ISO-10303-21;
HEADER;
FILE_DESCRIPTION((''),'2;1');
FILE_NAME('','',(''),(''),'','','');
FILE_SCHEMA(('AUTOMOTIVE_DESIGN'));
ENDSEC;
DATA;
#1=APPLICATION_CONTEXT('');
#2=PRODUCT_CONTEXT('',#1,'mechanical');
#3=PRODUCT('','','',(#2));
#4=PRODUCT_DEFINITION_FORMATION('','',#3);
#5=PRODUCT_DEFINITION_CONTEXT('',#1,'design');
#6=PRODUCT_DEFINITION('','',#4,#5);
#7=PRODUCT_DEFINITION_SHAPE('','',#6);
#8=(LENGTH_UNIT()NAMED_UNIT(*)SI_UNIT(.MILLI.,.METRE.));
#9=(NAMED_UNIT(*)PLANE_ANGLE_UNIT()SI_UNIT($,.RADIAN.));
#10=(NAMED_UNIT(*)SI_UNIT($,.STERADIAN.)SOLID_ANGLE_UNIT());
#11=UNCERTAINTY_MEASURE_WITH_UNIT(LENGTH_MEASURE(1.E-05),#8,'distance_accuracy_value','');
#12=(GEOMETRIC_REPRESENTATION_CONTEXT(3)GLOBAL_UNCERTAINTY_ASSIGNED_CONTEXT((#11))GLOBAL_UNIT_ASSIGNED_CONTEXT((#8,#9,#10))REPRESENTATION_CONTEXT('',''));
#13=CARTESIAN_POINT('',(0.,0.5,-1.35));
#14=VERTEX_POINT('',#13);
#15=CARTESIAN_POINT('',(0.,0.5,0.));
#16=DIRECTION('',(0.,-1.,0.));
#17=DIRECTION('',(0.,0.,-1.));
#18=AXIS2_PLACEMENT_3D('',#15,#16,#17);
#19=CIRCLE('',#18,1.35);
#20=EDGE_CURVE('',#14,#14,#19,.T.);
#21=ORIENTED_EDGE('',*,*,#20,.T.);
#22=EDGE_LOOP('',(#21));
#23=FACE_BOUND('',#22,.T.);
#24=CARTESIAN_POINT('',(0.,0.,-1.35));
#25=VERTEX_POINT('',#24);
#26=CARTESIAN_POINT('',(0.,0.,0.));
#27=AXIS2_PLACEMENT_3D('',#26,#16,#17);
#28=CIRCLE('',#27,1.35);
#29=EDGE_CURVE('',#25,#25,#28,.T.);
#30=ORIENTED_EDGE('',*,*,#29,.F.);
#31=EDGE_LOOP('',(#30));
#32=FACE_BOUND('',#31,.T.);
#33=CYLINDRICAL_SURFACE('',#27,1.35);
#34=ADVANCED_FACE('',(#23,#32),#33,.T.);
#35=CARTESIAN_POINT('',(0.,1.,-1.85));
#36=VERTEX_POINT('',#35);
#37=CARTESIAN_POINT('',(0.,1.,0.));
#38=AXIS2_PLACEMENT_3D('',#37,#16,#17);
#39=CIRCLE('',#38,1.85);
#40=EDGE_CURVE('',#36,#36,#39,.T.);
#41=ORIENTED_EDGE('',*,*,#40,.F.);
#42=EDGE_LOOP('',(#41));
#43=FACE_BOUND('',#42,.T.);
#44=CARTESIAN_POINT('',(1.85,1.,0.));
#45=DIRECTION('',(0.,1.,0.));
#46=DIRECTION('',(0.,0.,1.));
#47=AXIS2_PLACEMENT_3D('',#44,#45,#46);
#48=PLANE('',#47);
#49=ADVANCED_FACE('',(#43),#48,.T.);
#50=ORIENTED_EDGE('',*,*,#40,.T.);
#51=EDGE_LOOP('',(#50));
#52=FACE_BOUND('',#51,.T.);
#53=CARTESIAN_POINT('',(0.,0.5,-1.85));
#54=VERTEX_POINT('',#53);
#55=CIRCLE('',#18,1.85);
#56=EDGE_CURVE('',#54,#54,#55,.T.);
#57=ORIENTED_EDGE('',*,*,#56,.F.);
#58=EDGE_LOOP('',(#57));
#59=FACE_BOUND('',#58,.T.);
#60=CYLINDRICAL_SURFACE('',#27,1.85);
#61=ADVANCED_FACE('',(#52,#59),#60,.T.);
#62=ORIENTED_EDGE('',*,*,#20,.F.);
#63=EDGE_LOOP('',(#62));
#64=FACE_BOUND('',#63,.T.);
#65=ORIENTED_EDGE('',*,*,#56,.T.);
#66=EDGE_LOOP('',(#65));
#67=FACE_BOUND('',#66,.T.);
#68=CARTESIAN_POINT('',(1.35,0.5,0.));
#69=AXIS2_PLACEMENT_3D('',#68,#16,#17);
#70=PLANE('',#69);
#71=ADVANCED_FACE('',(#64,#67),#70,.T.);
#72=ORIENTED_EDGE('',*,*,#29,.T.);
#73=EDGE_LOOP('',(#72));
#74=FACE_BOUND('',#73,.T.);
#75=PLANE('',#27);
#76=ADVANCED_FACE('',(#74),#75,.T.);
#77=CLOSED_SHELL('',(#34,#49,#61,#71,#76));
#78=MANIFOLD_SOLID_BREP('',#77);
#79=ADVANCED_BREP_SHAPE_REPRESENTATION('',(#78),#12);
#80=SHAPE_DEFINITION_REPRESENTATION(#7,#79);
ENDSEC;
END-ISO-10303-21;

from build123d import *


with BuildPart() as part:
    # Sketch1 → Revolve1 (revolve)
    with BuildSketch(Plane.XY, mode=Mode.PRIVATE) as revolve1_sk:
        Polygon((1.35, 0), (1.35, 0.5), (1.85, 0.5), (1.85, 1), (0, 1), (0, 0), align=None)
    revolve(revolve1_sk.sketch.rotate(Axis((0, 0, 0), (0, 1, 0)), 90), axis=Axis((0, 0, 0), (0, 1, 0)))


solid = part.part
